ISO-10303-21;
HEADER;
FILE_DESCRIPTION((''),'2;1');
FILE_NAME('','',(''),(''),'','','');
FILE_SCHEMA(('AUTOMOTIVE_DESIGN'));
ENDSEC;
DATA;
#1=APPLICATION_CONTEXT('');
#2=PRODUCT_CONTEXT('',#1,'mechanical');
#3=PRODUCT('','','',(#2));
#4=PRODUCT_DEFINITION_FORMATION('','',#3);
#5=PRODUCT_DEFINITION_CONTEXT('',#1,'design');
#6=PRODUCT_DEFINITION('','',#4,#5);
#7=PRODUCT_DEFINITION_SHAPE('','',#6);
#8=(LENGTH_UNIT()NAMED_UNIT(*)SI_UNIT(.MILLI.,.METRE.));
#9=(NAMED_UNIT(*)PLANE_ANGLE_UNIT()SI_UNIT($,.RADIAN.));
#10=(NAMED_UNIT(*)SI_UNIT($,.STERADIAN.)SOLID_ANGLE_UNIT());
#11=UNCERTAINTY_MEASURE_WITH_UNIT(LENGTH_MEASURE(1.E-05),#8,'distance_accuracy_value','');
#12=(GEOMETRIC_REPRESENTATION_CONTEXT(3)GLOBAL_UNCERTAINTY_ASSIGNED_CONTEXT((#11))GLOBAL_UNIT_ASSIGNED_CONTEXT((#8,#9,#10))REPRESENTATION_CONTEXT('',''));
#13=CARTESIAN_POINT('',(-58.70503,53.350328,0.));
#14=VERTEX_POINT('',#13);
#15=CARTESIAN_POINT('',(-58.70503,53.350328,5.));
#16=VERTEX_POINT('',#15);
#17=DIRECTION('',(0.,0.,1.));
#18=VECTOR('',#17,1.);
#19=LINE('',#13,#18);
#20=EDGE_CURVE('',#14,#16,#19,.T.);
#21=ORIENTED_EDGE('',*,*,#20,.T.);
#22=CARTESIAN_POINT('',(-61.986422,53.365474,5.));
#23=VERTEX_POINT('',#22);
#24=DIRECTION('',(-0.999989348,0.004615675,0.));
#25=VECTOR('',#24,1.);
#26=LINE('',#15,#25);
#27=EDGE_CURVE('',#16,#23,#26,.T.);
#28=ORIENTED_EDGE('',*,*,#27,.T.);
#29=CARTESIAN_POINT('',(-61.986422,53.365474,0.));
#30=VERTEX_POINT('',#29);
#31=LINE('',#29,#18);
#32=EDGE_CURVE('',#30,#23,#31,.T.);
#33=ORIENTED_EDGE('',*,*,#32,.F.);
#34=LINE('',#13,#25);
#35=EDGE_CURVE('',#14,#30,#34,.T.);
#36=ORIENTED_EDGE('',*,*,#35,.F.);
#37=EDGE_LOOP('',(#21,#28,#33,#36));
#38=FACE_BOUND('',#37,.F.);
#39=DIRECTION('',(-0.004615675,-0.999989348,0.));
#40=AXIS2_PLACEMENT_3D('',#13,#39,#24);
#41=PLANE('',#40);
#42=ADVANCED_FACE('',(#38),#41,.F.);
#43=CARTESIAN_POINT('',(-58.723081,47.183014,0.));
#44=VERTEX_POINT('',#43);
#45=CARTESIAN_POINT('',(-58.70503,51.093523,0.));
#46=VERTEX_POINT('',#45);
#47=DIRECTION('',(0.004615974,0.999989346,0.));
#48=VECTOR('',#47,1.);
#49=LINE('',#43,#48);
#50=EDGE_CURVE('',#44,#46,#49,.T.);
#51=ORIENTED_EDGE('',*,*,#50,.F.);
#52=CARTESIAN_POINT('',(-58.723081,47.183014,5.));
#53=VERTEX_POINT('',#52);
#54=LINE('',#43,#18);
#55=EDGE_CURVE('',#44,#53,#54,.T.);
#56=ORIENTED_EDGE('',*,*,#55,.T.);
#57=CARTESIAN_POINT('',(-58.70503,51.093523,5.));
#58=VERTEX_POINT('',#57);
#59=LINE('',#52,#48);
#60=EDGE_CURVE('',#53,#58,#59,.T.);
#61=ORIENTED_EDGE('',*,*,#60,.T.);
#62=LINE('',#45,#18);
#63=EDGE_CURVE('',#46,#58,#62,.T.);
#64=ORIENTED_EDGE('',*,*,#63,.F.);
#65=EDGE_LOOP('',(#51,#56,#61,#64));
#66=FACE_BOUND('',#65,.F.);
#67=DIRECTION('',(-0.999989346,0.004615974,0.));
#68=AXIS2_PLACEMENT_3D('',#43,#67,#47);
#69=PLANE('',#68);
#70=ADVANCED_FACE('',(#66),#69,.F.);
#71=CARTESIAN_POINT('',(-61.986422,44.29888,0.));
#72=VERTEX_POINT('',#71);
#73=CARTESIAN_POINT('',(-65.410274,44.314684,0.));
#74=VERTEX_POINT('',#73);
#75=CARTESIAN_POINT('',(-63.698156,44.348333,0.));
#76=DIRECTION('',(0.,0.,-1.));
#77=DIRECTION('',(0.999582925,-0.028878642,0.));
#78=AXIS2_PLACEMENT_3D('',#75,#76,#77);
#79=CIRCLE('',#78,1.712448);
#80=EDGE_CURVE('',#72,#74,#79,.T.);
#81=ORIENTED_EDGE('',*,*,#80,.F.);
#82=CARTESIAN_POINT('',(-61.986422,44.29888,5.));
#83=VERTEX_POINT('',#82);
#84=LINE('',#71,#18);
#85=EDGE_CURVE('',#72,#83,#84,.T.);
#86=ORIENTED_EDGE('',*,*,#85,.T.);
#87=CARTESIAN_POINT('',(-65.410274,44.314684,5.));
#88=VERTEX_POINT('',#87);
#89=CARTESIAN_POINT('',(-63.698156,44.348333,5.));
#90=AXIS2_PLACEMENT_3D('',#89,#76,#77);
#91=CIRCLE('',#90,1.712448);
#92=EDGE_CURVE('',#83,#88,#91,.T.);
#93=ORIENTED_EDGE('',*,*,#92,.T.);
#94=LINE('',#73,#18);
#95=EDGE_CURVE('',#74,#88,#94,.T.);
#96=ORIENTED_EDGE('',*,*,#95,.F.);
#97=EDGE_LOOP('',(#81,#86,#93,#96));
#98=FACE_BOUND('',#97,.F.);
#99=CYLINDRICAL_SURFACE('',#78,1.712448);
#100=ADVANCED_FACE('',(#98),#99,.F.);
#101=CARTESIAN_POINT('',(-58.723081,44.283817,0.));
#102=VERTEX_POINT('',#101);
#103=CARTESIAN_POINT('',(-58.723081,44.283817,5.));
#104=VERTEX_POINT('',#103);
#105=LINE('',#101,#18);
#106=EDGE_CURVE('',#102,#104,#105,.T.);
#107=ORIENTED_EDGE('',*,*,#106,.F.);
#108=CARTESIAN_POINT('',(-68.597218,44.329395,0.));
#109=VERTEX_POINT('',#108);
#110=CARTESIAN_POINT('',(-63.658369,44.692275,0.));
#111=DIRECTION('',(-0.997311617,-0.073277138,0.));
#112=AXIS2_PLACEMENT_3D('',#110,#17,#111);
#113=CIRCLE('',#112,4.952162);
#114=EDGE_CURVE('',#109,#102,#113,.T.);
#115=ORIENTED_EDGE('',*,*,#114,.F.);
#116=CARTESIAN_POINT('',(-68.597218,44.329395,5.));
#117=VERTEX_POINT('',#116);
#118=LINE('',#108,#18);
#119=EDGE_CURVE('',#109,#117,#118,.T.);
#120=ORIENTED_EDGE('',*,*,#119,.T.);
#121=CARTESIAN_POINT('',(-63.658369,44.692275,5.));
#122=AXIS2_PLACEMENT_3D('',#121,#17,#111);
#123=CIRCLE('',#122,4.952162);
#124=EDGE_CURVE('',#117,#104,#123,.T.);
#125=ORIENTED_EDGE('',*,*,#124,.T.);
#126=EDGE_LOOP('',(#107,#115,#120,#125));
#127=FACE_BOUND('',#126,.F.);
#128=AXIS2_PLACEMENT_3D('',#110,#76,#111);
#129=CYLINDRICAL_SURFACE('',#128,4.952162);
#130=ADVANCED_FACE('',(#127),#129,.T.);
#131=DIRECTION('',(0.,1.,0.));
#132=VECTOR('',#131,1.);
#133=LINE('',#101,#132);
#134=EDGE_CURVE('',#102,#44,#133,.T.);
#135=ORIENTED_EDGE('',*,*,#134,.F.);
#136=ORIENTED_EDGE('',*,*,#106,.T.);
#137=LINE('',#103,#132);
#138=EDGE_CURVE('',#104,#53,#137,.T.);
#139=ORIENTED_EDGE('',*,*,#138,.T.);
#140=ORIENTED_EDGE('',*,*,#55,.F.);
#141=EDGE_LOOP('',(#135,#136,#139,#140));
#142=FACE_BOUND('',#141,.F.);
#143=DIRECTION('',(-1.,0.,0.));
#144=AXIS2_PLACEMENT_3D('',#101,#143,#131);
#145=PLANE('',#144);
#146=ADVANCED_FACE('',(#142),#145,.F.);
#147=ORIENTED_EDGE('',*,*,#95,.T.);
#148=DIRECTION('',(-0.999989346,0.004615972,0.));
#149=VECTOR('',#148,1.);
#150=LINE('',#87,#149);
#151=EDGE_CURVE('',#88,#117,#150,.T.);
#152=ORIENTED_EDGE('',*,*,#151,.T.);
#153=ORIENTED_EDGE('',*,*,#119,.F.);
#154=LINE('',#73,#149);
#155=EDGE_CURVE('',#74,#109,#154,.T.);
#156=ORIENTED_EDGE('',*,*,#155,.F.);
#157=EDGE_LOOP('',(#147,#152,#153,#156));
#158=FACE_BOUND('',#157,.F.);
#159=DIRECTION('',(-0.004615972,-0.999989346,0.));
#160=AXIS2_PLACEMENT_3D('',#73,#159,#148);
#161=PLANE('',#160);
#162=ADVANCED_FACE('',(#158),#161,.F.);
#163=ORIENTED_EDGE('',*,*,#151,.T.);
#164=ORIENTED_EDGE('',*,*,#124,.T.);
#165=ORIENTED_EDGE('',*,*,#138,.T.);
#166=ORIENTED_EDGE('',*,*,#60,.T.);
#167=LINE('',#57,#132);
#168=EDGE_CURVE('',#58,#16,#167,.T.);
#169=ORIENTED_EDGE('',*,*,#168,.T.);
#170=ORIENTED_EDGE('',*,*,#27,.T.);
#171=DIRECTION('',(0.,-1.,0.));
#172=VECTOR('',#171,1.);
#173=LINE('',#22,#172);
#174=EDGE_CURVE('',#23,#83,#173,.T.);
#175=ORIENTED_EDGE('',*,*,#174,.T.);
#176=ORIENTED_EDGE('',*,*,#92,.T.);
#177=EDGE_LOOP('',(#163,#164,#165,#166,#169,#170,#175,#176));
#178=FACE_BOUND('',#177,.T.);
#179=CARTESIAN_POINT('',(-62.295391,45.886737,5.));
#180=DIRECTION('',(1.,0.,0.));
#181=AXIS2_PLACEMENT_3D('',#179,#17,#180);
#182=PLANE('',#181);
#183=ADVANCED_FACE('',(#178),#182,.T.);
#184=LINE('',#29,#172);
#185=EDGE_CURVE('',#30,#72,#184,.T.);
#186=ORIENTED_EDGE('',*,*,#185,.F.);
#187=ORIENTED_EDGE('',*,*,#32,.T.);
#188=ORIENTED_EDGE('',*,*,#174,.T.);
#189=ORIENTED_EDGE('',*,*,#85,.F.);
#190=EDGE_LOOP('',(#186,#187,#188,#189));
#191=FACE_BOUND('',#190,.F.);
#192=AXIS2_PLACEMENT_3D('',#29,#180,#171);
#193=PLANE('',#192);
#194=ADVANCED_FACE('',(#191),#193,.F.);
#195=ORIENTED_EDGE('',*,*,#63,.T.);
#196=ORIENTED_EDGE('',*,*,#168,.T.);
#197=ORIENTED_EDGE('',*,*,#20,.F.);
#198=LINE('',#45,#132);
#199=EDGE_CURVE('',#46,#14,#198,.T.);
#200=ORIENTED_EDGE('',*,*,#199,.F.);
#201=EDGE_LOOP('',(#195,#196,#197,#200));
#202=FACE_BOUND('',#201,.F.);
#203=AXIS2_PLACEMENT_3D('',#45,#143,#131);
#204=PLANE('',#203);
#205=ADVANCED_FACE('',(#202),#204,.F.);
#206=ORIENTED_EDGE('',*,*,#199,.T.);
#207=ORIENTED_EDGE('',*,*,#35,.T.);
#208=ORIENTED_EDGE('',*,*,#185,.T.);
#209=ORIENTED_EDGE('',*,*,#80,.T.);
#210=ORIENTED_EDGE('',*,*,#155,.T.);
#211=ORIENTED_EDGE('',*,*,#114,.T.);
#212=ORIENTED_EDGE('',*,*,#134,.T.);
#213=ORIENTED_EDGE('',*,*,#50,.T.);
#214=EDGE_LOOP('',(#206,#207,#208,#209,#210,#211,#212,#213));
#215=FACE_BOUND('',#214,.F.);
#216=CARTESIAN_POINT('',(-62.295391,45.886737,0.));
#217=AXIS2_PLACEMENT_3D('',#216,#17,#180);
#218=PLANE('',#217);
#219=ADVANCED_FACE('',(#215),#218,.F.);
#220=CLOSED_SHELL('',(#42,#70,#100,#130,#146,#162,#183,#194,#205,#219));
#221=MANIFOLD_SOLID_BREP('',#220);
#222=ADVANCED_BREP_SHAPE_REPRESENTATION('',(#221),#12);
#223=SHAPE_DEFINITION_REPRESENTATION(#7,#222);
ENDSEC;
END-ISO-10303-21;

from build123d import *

# Parameters (mm, degrees)
F1_DEPTH = 5


with BuildPart() as f1:
    # F0 (on Top) → F1 (new body)
    with BuildSketch(Plane.XY):
        with BuildLine():
            Line((-65.410274, 44.314684), (-68.597218, 44.329395))
            ThreePointArc((-68.597218, 44.329395), (-63.681228, 39.740166), (-58.723081, 44.283817))
            Line((-58.723081, 44.283817), (-58.723081, 47.183014))
            Line((-58.723081, 47.183014), (-58.70503, 51.093523))
            Line((-58.70503, 51.093523), (-58.70503, 53.350328))
            Line((-58.70503, 53.350328), (-61.986422, 53.365474))
            Line((-61.986422, 53.365474), (-61.986422, 51.093523))
            Line((-61.986422, 51.093523), (-61.986422, 44.29888))
            ThreePointArc((-61.986422, 44.29888), (-63.70606, 42.635903), (-65.410274, 44.314684))
        make_face()
    extrude(amount=F1_DEPTH)


solid = f1.part
